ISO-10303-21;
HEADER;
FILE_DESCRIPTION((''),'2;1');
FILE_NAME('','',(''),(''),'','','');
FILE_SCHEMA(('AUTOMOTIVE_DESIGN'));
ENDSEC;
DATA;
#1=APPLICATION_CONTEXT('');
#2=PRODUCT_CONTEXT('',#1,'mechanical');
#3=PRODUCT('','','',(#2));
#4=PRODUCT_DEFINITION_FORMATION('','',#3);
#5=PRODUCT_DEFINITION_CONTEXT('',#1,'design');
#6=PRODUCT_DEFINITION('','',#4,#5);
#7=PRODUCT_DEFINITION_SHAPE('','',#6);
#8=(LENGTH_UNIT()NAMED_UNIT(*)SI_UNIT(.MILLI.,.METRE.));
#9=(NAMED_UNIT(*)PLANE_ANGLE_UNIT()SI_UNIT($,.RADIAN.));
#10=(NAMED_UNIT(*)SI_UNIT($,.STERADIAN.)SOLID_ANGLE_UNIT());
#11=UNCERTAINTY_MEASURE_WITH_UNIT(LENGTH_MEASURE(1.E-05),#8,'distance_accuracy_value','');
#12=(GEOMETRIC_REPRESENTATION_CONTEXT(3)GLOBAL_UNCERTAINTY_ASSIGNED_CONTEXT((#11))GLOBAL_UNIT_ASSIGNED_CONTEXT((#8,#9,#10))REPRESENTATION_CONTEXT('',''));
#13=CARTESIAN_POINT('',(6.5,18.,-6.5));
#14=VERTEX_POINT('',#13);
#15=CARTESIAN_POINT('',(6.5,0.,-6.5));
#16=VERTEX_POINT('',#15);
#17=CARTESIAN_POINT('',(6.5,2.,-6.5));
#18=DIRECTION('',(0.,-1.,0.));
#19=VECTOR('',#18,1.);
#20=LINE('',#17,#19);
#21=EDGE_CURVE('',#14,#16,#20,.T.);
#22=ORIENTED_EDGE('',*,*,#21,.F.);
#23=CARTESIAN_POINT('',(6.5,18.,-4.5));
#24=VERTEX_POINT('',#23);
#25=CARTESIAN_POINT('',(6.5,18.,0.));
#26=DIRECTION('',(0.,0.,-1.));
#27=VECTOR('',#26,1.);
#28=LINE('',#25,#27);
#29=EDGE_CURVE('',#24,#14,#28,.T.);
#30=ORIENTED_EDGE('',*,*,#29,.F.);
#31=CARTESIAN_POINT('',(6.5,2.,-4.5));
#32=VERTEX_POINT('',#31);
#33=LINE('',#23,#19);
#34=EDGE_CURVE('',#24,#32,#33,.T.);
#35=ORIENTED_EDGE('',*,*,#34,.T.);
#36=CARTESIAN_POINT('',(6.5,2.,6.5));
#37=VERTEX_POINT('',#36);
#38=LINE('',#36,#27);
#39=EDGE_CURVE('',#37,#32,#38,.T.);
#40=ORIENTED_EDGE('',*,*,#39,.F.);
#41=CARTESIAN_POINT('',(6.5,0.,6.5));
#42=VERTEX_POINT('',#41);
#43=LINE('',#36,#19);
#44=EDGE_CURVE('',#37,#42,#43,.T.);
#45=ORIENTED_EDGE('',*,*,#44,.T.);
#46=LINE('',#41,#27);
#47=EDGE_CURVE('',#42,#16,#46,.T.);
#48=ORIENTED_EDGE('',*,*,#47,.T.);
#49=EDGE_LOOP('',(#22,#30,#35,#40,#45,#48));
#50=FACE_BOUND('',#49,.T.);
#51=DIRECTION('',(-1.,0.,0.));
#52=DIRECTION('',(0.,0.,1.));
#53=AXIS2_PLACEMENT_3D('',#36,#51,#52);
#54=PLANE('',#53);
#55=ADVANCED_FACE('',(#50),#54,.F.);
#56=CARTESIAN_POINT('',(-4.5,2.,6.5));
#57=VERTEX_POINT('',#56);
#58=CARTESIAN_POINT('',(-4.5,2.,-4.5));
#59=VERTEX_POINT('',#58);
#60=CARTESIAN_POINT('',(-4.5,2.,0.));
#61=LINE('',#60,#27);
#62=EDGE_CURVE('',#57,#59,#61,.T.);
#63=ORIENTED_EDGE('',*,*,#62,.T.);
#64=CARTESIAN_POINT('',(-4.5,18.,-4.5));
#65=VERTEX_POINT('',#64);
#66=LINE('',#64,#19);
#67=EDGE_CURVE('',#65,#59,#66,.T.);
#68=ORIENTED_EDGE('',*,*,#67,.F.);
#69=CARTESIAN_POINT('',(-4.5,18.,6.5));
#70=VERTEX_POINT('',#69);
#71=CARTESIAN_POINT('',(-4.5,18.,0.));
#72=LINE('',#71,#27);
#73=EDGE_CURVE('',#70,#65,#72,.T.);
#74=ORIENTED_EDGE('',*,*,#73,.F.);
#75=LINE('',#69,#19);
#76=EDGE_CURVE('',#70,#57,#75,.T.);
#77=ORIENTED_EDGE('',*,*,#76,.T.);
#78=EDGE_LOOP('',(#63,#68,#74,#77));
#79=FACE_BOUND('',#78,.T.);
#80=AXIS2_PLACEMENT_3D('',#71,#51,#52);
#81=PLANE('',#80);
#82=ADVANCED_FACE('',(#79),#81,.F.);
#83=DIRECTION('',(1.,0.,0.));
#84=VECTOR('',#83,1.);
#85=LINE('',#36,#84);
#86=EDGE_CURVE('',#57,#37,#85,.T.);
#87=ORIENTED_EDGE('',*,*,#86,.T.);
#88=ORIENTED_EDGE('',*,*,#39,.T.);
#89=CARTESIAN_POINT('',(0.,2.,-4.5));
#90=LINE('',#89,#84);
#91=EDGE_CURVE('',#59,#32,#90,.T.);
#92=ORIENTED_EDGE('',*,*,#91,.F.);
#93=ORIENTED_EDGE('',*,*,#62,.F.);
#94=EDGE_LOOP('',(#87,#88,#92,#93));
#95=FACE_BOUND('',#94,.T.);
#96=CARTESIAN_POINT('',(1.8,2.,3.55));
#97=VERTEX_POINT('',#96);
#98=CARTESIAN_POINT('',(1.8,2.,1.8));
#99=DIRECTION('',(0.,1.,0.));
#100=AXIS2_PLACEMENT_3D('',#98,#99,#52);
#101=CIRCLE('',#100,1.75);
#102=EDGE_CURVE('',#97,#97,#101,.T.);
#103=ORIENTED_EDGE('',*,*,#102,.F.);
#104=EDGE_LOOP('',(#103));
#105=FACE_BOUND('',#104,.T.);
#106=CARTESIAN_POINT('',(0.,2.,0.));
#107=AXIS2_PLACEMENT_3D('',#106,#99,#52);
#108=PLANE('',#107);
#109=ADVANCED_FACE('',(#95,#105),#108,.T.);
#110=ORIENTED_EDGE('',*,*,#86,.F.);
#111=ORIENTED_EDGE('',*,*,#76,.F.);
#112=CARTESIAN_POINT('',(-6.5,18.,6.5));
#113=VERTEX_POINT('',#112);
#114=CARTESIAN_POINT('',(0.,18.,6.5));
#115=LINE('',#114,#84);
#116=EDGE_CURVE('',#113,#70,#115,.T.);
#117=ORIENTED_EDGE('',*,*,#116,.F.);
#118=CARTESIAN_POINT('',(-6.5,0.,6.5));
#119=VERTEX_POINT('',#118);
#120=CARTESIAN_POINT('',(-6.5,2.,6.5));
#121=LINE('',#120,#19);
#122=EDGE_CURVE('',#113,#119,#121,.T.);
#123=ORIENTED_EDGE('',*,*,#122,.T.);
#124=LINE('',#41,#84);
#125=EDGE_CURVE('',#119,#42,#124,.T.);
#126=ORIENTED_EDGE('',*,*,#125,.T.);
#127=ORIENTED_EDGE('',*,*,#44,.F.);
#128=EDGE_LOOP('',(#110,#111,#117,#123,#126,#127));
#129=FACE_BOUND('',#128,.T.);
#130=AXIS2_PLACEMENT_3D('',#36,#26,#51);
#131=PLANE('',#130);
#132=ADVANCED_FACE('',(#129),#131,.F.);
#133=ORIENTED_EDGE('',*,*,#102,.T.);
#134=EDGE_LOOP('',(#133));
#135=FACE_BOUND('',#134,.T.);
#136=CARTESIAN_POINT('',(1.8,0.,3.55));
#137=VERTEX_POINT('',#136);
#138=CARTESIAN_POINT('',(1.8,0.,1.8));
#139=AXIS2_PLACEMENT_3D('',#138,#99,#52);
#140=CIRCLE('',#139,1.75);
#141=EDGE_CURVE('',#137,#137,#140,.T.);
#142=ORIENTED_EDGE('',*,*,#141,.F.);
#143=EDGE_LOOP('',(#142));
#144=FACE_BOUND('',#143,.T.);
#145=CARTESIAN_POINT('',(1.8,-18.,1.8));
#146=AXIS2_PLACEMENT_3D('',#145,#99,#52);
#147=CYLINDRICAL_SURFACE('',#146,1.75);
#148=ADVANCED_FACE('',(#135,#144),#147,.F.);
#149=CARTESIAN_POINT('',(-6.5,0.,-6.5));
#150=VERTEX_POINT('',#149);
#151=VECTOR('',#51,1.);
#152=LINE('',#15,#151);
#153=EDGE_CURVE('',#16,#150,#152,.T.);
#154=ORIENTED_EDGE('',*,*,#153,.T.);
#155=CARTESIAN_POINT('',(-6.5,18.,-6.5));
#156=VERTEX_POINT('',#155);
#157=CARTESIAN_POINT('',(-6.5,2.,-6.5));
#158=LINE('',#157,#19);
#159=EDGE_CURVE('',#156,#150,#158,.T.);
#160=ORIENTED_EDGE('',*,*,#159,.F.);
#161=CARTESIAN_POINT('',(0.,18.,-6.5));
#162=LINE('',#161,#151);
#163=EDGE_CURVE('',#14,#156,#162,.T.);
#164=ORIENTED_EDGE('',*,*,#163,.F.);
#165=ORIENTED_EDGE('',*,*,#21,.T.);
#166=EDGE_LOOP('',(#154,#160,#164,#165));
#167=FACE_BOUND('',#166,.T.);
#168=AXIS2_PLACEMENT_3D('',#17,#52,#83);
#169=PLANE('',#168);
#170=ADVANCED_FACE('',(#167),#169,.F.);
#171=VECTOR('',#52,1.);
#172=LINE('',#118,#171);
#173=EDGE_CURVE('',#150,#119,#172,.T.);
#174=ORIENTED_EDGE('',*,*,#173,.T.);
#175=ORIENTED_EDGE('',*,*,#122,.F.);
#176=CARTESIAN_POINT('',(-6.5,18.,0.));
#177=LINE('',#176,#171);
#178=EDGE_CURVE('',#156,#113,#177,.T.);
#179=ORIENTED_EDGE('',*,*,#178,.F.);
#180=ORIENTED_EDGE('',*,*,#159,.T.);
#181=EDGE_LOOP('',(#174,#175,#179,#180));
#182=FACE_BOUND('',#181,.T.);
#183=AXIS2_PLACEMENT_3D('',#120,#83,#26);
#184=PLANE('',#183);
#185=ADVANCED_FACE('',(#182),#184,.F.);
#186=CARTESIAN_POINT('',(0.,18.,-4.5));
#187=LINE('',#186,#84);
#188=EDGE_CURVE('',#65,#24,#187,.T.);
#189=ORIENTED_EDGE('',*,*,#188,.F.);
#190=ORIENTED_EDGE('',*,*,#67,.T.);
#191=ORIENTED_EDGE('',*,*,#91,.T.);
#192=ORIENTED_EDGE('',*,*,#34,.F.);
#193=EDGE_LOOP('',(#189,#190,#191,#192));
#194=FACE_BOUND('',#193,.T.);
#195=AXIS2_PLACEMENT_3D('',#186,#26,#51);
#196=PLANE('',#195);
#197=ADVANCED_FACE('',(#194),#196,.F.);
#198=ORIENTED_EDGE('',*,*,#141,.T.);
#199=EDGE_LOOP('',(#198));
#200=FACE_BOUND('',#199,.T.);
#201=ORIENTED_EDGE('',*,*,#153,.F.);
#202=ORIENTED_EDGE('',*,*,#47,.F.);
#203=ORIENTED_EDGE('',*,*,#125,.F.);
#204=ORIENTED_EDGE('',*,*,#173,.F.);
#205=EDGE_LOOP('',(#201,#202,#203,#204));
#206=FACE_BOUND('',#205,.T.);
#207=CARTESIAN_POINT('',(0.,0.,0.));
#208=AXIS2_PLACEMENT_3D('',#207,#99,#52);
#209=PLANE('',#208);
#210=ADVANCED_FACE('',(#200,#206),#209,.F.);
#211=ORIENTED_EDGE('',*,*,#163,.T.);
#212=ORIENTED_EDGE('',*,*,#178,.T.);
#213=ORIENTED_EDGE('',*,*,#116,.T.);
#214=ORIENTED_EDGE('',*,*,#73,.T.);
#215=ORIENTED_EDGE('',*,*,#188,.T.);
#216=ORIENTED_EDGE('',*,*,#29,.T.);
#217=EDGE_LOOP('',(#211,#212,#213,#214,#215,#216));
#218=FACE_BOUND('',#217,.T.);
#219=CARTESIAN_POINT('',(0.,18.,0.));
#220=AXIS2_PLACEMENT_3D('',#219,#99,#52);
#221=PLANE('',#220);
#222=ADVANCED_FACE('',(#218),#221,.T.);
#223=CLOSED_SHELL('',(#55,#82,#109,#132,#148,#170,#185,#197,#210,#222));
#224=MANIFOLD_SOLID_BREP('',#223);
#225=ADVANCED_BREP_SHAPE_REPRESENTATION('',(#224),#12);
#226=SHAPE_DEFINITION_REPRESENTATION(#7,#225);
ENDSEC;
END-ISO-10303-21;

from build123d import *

# Parameters (mm, degrees)
SKETCH1_W           = 13
SKETCH1_H           = 13
BOSS_EXTRUDE1_DEPTH = 2
BOSS_EXTRUDE2_DEPTH = 16
SKETCH3_R           = 1.75
CUT_EXTRUDE1_DEPTH  = 20


with BuildPart() as part:
    # Sketch1 → Boss-Extrude1 (new body)
    with BuildSketch(Plane(origin=(0, 0, 0), x_dir=(1, 0, 0), z_dir=(0, 1, 0))):
        Rectangle(SKETCH1_W, SKETCH1_H)
    extrude(amount=BOSS_EXTRUDE1_DEPTH)

    # Sketch2 → Boss-Extrude2 (add)
    with BuildSketch(Plane(origin=(0, 2, 0), x_dir=(1, 0, 0), z_dir=(0, 1, 0))):
        Polygon((-6.5, 6.5), (-6.5, -6.5), (-4.5, -6.5), (-4.5, 4.5), (6.5, 4.5), (6.5, 6.5), align=None)
    extrude(amount=BOSS_EXTRUDE2_DEPTH)

    # Sketch3 → Cut-Extrude1 (cut)
    with BuildSketch(Plane(origin=(0, 2, 0), x_dir=(1, 0, 0), z_dir=(0, 1, 0))):
        with Locations(Location((1.8, -1.8, 0), (0, 0, 270))):
            Circle(SKETCH3_R)
    extrude(amount=-CUT_EXTRUDE1_DEPTH, mode=Mode.SUBTRACT)


solid = part.part
